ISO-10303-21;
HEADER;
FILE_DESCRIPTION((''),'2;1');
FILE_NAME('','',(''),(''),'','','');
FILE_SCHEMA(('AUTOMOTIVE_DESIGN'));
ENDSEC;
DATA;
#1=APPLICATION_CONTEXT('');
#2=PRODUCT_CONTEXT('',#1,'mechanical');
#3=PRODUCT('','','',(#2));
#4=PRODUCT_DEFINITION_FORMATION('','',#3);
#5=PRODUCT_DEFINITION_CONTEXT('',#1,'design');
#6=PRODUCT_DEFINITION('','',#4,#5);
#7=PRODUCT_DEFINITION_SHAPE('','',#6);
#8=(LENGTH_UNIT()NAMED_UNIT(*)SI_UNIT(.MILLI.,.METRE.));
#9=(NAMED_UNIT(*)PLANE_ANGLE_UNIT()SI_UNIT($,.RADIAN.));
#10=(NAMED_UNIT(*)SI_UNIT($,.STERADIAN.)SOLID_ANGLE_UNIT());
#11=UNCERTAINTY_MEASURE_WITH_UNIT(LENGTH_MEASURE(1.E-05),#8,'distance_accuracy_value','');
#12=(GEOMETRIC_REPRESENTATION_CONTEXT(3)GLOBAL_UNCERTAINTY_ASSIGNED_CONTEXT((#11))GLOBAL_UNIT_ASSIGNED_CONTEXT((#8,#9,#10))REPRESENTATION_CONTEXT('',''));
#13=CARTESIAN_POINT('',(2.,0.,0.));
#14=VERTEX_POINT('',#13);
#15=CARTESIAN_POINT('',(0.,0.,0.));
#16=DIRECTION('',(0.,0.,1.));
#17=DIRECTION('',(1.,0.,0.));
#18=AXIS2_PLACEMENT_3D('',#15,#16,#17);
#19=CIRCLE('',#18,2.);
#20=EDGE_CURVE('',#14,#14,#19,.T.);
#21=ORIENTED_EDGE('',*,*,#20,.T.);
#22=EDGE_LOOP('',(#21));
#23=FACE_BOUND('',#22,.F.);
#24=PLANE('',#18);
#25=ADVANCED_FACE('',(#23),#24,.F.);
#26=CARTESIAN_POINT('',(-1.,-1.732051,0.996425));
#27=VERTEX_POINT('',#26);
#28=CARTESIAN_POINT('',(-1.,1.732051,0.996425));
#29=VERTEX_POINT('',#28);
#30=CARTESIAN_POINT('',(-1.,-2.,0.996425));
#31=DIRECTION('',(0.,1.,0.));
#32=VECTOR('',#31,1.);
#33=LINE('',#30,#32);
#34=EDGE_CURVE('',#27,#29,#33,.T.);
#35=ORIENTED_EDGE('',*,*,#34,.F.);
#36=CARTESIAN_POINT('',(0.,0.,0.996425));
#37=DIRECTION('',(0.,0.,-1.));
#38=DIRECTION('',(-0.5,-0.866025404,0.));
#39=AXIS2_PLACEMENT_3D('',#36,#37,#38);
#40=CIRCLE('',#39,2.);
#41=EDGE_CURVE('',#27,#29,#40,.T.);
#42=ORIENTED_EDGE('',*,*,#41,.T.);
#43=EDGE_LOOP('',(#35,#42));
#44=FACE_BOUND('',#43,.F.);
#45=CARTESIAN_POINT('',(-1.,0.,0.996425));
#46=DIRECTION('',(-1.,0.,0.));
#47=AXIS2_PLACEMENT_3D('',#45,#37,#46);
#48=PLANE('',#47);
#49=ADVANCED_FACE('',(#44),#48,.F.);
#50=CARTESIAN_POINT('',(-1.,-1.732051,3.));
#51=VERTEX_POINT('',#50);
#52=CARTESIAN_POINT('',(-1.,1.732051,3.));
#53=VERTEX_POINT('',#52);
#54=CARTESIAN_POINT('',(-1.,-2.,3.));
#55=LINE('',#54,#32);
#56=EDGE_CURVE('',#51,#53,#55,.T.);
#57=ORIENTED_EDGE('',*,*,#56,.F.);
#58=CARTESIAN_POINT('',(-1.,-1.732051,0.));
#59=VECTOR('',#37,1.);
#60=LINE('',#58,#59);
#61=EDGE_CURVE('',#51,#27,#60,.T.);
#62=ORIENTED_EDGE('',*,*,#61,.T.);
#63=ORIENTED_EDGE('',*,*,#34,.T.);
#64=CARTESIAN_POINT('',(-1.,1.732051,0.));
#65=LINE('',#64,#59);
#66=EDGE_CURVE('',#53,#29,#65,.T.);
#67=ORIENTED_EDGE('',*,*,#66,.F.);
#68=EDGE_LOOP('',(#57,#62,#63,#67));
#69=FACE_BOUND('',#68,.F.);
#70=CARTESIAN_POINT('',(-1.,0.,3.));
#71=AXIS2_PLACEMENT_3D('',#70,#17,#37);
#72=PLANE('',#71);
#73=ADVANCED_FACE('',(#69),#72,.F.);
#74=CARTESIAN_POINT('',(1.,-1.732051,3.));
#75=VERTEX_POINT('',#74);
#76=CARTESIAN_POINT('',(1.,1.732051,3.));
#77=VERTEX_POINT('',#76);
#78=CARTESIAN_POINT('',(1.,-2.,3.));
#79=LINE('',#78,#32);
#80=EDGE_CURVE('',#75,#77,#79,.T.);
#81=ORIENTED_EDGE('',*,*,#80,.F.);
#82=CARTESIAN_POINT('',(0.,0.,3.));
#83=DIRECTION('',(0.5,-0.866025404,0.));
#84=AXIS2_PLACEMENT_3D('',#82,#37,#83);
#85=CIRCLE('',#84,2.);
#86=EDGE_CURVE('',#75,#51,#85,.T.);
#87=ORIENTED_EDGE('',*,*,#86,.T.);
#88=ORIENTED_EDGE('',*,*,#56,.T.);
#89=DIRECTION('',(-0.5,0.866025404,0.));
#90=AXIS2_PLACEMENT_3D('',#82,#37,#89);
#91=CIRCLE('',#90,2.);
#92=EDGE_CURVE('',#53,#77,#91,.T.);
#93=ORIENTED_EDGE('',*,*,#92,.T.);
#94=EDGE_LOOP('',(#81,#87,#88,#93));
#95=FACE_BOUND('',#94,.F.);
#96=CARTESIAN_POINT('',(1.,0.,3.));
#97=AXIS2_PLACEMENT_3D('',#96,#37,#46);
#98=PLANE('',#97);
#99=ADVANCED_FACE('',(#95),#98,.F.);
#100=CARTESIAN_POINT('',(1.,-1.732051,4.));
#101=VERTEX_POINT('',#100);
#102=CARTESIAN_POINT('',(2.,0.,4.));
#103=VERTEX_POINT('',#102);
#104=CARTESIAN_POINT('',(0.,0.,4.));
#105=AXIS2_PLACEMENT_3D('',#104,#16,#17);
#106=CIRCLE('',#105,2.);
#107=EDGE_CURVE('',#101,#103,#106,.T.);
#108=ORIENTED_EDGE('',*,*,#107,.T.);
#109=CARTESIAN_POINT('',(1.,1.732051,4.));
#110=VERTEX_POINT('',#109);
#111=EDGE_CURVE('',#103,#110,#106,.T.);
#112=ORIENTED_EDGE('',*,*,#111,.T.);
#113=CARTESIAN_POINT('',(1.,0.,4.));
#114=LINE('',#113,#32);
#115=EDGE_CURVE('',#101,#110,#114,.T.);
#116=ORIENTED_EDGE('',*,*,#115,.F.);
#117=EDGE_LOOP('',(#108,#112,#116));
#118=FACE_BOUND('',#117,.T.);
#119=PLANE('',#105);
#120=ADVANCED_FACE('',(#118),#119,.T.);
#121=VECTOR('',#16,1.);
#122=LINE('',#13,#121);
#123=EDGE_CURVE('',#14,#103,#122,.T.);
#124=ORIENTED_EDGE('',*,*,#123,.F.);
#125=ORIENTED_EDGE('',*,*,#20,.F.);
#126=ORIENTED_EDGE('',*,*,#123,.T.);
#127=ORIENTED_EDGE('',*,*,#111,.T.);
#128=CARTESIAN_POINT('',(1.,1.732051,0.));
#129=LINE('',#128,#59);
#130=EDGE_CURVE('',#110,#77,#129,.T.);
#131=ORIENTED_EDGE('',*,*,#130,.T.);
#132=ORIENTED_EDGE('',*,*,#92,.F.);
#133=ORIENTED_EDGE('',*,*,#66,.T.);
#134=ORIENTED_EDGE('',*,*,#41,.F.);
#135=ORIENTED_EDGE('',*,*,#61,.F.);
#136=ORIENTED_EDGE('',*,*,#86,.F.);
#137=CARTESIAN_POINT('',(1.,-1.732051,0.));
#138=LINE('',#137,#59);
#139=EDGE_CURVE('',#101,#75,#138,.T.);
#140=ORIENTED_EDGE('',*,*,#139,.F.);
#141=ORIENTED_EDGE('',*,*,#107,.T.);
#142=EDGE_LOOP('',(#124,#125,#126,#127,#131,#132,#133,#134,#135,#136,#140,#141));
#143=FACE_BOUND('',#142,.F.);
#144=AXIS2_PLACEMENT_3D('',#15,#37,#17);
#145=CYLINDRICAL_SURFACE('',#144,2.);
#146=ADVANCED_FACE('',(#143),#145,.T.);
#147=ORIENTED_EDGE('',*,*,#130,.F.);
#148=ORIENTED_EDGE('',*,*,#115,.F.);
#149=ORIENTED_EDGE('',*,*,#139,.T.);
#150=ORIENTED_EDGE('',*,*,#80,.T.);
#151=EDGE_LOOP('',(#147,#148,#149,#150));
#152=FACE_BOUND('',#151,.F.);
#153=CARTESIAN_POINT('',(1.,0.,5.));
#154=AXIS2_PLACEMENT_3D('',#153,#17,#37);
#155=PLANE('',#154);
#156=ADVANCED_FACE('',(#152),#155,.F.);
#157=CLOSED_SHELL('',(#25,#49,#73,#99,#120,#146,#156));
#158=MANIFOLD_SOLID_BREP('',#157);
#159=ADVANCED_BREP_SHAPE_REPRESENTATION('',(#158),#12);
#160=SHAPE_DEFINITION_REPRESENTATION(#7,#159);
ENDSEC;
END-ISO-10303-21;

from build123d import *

# Parameters (mm, degrees)
SKETCH1_R           = 2
BOSS_EXTRUDE1_DEPTH = 4
CUT_EXTRUDE2_DEPTH  = 2


with BuildPart() as part:
    # Sketch1 → Boss-Extrude1 (new body)
    with BuildSketch(Plane.XY):
        Circle(SKETCH1_R)
    extrude(amount=BOSS_EXTRUDE1_DEPTH)

    # Sketch2 → Cut-Extrude2 (cut, symmetric)
    with BuildSketch(Plane(origin=(0, 0, 0), x_dir=(1, 0, 0), z_dir=(0, 1, 0))):
        Polygon((-1, -5), (1, -5), (1, -3), (-1, -3), (-1, -0.996424707), (-2, -0.996424707), (-2, -5), align=None)
    extrude(amount=CUT_EXTRUDE2_DEPTH, both=True, mode=Mode.SUBTRACT)


solid = part.part
